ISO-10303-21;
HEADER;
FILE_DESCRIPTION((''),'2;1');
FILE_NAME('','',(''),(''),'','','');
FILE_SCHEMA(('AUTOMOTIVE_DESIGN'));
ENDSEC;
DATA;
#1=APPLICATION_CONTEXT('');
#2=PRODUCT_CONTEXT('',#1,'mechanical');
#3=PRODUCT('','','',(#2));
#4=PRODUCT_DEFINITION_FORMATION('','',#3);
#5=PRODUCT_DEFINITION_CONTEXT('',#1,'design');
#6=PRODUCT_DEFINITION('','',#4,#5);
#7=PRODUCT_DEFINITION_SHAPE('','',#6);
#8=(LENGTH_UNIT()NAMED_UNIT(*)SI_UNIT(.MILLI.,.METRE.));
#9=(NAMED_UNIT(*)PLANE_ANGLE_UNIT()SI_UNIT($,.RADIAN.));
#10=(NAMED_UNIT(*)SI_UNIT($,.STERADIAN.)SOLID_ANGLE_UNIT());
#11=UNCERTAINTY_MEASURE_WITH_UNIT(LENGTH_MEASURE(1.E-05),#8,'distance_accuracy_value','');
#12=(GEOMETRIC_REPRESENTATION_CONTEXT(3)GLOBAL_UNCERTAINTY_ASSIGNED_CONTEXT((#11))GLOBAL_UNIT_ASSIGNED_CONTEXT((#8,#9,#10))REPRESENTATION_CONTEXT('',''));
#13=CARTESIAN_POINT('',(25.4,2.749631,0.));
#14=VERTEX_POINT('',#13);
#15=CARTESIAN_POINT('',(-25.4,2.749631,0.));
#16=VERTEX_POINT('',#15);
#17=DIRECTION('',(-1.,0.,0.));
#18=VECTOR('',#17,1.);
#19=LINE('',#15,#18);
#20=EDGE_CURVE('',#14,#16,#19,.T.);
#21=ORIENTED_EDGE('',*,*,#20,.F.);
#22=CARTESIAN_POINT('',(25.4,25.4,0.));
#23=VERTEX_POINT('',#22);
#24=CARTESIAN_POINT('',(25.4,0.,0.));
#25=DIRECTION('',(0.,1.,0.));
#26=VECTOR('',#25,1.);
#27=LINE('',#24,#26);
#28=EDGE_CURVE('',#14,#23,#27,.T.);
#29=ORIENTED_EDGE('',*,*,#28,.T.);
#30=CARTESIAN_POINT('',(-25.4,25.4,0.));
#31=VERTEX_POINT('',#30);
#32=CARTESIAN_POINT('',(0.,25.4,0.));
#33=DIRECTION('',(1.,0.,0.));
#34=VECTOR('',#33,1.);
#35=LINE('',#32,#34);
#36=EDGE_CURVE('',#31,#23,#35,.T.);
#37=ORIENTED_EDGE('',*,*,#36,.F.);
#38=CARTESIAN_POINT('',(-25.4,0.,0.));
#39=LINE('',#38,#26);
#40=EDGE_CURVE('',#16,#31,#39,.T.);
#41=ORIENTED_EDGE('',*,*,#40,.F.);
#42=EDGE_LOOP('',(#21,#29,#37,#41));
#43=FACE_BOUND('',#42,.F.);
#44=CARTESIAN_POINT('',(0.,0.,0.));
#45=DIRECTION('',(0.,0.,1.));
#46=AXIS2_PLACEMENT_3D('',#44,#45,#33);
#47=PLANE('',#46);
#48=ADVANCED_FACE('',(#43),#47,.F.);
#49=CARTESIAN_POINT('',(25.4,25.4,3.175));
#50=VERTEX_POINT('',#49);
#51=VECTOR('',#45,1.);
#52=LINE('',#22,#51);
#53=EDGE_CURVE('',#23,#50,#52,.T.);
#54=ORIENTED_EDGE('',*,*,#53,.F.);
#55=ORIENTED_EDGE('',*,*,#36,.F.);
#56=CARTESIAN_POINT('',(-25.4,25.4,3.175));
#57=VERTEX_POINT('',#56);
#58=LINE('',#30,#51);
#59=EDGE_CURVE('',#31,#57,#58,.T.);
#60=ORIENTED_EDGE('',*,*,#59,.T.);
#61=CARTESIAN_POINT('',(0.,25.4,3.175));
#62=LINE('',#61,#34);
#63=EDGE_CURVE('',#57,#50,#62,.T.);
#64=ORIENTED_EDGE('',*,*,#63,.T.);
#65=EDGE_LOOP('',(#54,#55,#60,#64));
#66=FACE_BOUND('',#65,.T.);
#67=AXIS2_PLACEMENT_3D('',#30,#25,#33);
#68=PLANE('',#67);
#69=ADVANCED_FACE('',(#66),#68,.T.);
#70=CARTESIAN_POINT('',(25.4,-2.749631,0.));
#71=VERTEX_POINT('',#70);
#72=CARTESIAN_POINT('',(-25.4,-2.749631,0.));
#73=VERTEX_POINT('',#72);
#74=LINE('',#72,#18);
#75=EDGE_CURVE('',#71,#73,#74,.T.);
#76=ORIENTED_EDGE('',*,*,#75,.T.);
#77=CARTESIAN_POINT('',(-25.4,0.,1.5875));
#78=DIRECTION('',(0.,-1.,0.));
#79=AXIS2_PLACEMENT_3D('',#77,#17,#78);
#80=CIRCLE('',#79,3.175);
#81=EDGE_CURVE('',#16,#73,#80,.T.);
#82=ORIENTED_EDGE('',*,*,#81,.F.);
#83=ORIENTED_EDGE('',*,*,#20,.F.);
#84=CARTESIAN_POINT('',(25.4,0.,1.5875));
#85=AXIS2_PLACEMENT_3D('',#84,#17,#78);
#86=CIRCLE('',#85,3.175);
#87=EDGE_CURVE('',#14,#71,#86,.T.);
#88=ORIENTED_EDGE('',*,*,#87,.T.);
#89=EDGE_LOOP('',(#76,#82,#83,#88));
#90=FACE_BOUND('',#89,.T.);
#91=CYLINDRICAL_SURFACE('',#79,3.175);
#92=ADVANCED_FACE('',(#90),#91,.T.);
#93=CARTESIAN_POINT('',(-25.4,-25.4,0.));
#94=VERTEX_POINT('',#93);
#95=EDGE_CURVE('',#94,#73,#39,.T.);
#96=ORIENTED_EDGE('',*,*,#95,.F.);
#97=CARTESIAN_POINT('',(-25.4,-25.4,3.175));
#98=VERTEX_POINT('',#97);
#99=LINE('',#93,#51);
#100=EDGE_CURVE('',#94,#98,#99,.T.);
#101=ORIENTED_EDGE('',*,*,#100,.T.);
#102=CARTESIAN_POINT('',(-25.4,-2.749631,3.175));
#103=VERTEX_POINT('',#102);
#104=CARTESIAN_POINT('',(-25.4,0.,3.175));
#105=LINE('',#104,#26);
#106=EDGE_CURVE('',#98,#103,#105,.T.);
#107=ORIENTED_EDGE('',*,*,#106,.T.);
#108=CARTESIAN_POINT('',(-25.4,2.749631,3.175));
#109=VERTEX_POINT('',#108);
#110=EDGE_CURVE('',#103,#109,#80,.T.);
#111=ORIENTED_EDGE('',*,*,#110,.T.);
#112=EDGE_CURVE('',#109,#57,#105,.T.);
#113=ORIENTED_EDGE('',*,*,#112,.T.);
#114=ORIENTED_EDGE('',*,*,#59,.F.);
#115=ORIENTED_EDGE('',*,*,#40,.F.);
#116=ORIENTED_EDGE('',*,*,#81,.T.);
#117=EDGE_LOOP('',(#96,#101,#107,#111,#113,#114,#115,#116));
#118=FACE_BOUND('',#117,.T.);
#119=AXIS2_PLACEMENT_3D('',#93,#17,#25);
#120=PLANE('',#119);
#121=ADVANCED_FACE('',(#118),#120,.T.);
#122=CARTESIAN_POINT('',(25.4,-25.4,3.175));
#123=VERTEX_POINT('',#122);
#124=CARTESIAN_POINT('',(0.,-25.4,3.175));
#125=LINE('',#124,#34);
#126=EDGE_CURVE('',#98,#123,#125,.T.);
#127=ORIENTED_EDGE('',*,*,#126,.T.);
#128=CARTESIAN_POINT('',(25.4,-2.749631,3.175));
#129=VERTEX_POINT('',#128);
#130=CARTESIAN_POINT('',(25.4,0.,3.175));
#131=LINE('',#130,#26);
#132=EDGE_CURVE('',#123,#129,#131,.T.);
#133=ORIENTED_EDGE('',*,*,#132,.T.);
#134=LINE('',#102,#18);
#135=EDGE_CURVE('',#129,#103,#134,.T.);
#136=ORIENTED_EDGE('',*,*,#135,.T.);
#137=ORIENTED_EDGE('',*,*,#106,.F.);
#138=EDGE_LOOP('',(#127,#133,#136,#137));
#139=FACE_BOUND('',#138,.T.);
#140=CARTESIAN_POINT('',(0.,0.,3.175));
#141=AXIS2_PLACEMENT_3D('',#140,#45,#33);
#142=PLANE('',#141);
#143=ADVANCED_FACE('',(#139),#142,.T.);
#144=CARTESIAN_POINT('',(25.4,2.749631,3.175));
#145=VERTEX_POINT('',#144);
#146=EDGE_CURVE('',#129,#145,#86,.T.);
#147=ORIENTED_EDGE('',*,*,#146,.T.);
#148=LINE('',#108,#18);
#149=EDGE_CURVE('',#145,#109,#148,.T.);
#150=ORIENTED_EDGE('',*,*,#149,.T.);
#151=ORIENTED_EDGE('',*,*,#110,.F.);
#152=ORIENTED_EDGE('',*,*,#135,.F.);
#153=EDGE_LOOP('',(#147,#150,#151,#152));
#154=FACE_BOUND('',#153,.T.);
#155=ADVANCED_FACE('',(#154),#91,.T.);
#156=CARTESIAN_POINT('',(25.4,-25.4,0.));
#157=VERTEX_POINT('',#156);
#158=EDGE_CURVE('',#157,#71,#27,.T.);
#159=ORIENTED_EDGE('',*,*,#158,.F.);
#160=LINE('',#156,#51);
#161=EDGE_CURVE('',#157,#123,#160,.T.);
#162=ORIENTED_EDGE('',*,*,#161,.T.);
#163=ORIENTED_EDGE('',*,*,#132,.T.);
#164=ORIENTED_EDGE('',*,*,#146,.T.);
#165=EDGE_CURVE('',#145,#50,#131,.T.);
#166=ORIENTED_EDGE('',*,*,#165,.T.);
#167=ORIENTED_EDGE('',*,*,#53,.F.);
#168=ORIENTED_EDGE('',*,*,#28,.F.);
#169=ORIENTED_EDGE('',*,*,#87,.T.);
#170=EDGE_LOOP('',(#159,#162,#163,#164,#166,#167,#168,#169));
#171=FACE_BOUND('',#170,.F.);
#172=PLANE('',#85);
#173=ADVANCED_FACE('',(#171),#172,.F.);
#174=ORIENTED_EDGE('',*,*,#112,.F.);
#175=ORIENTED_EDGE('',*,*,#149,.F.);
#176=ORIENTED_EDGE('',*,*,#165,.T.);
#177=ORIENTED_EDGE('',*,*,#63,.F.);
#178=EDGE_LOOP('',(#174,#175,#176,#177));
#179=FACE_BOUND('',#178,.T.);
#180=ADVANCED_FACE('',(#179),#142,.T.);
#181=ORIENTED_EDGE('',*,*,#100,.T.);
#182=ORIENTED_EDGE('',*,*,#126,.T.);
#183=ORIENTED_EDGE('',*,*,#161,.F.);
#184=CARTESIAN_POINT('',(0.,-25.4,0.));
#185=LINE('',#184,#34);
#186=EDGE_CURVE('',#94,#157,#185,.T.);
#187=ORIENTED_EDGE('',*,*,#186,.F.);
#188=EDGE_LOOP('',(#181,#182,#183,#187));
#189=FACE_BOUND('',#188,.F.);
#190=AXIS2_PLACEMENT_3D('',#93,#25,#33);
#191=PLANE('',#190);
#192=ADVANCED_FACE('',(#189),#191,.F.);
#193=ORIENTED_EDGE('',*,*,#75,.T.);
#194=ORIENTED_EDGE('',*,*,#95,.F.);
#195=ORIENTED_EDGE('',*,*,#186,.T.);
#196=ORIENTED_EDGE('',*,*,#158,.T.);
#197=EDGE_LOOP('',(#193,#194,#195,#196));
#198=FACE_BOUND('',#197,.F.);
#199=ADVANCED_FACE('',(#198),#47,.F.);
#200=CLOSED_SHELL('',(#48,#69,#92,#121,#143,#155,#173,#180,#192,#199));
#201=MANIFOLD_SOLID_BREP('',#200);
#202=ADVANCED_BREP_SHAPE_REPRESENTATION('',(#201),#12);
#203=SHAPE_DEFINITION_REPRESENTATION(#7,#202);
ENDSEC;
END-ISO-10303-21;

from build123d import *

# Parameters (mm, degrees)
F0_W     = 50.8
F0_H     = 50.8
F1_DEPTH = 3.175
F2_R     = 3.175
F3_DEPTH = 50.8


with BuildPart() as f1:
    # F0 (on Top) → F1 (new body)
    with BuildSketch(Plane.XY):
        Rectangle(F0_W, F0_H)
    extrude(amount=F1_DEPTH)

    # F2 (on face) → F3 (join, through all)
    with BuildSketch(Plane(origin=(-25.4, 0, 0), x_dir=(0, -1, 0), z_dir=(-1, 0, 0))):
        with Locations((0, 1.5875)):
            Circle(F2_R)
    extrude(amount=-F3_DEPTH)


solid = f1.part
